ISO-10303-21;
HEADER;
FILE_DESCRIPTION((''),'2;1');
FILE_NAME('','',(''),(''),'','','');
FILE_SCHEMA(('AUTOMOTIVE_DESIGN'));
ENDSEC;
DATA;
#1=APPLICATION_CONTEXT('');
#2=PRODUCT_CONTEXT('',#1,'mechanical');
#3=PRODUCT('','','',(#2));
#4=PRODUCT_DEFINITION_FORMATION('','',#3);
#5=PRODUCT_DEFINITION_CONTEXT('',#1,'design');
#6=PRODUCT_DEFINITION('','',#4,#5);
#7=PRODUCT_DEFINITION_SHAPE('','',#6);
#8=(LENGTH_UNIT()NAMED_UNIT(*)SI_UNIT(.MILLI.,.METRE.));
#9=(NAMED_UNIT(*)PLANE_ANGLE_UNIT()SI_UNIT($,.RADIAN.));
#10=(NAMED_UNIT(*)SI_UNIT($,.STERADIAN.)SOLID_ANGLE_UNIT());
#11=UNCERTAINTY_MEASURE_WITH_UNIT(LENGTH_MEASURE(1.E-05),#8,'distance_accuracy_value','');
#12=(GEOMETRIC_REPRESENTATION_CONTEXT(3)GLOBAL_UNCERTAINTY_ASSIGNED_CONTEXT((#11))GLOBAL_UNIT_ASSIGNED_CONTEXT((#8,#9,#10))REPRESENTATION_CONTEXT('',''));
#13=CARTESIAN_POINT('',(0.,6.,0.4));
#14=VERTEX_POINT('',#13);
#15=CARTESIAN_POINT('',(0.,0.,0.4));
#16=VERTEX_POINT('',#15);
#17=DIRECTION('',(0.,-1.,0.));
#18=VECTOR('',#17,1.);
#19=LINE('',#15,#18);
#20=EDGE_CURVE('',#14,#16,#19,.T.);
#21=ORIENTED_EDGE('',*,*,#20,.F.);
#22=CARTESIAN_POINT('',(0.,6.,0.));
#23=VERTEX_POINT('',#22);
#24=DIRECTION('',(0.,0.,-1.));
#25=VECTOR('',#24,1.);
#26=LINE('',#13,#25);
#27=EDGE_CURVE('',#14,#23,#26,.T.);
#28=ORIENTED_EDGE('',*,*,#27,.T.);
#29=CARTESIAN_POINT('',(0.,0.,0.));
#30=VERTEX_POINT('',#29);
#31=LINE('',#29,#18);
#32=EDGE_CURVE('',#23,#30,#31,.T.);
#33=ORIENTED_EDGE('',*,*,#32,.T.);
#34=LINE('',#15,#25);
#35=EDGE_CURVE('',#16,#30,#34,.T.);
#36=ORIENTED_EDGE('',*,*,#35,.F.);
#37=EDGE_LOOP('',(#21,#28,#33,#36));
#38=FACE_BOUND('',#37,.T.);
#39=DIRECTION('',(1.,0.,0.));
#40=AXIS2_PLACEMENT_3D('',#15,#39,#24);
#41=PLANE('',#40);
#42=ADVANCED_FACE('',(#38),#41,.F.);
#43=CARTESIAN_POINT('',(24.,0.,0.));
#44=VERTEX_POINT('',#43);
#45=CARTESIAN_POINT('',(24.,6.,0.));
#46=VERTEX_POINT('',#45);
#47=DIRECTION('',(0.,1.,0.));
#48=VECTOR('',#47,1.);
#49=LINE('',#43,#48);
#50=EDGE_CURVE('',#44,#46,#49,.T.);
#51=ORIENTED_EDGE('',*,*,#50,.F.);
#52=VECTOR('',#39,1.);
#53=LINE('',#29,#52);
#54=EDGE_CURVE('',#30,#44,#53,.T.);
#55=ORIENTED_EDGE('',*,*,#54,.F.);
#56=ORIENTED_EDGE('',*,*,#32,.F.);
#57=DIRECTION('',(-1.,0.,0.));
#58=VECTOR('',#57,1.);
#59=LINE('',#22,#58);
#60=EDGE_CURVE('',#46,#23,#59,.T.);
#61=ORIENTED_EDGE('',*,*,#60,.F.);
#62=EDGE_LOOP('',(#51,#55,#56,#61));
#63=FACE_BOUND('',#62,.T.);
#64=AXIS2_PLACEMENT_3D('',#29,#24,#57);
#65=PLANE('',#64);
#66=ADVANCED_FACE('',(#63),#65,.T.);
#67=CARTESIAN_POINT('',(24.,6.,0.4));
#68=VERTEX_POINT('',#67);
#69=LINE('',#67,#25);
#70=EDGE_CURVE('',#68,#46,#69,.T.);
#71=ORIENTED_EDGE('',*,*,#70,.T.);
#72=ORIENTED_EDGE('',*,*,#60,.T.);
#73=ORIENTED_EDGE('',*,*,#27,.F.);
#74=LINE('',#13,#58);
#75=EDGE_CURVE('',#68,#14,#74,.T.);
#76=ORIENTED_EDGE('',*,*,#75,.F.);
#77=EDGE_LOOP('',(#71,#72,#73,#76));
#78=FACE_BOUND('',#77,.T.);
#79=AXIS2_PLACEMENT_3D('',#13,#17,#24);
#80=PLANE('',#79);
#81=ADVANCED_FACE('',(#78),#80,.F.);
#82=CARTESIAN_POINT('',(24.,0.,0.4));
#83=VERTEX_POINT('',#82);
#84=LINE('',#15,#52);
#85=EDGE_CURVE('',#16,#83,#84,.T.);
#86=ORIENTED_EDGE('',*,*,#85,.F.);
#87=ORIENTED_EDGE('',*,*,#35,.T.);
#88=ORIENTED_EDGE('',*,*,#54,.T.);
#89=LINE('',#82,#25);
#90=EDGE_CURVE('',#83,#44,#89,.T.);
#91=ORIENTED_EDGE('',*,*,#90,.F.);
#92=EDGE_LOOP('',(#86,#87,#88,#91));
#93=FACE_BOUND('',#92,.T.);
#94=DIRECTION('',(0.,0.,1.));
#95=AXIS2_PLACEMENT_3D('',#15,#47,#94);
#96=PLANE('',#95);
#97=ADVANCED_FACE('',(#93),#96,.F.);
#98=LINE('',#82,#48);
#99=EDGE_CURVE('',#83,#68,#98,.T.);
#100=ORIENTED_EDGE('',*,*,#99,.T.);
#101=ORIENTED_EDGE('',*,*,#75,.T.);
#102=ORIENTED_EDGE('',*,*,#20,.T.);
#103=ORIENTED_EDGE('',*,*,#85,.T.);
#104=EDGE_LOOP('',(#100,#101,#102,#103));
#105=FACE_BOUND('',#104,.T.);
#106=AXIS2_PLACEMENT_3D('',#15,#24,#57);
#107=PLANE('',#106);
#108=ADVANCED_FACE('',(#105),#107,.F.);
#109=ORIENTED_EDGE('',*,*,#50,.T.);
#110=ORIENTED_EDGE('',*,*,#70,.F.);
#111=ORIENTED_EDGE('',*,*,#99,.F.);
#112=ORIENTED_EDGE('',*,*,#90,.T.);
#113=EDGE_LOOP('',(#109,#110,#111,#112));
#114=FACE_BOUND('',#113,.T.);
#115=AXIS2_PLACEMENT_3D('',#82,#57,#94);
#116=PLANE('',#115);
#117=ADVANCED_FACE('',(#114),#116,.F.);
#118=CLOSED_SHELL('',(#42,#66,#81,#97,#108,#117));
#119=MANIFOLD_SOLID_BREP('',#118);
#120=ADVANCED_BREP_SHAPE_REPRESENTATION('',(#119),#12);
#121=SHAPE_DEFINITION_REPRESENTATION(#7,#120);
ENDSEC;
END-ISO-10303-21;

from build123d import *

# Parameters (mm, degrees)
SKETCH_1_W      = 24
SKETCH_1_H      = 6
EXTRUDE_1_DEPTH = 0.4


with BuildPart() as part:
    # ｽｹｯﾁ1 → ﾎﾞｽ - 押し出し1 (new body)
    with BuildSketch(Plane.XY):
        with Locations((12, 3)):
            Rectangle(SKETCH_1_W, SKETCH_1_H)
    extrude(amount=EXTRUDE_1_DEPTH)


solid = part.part
